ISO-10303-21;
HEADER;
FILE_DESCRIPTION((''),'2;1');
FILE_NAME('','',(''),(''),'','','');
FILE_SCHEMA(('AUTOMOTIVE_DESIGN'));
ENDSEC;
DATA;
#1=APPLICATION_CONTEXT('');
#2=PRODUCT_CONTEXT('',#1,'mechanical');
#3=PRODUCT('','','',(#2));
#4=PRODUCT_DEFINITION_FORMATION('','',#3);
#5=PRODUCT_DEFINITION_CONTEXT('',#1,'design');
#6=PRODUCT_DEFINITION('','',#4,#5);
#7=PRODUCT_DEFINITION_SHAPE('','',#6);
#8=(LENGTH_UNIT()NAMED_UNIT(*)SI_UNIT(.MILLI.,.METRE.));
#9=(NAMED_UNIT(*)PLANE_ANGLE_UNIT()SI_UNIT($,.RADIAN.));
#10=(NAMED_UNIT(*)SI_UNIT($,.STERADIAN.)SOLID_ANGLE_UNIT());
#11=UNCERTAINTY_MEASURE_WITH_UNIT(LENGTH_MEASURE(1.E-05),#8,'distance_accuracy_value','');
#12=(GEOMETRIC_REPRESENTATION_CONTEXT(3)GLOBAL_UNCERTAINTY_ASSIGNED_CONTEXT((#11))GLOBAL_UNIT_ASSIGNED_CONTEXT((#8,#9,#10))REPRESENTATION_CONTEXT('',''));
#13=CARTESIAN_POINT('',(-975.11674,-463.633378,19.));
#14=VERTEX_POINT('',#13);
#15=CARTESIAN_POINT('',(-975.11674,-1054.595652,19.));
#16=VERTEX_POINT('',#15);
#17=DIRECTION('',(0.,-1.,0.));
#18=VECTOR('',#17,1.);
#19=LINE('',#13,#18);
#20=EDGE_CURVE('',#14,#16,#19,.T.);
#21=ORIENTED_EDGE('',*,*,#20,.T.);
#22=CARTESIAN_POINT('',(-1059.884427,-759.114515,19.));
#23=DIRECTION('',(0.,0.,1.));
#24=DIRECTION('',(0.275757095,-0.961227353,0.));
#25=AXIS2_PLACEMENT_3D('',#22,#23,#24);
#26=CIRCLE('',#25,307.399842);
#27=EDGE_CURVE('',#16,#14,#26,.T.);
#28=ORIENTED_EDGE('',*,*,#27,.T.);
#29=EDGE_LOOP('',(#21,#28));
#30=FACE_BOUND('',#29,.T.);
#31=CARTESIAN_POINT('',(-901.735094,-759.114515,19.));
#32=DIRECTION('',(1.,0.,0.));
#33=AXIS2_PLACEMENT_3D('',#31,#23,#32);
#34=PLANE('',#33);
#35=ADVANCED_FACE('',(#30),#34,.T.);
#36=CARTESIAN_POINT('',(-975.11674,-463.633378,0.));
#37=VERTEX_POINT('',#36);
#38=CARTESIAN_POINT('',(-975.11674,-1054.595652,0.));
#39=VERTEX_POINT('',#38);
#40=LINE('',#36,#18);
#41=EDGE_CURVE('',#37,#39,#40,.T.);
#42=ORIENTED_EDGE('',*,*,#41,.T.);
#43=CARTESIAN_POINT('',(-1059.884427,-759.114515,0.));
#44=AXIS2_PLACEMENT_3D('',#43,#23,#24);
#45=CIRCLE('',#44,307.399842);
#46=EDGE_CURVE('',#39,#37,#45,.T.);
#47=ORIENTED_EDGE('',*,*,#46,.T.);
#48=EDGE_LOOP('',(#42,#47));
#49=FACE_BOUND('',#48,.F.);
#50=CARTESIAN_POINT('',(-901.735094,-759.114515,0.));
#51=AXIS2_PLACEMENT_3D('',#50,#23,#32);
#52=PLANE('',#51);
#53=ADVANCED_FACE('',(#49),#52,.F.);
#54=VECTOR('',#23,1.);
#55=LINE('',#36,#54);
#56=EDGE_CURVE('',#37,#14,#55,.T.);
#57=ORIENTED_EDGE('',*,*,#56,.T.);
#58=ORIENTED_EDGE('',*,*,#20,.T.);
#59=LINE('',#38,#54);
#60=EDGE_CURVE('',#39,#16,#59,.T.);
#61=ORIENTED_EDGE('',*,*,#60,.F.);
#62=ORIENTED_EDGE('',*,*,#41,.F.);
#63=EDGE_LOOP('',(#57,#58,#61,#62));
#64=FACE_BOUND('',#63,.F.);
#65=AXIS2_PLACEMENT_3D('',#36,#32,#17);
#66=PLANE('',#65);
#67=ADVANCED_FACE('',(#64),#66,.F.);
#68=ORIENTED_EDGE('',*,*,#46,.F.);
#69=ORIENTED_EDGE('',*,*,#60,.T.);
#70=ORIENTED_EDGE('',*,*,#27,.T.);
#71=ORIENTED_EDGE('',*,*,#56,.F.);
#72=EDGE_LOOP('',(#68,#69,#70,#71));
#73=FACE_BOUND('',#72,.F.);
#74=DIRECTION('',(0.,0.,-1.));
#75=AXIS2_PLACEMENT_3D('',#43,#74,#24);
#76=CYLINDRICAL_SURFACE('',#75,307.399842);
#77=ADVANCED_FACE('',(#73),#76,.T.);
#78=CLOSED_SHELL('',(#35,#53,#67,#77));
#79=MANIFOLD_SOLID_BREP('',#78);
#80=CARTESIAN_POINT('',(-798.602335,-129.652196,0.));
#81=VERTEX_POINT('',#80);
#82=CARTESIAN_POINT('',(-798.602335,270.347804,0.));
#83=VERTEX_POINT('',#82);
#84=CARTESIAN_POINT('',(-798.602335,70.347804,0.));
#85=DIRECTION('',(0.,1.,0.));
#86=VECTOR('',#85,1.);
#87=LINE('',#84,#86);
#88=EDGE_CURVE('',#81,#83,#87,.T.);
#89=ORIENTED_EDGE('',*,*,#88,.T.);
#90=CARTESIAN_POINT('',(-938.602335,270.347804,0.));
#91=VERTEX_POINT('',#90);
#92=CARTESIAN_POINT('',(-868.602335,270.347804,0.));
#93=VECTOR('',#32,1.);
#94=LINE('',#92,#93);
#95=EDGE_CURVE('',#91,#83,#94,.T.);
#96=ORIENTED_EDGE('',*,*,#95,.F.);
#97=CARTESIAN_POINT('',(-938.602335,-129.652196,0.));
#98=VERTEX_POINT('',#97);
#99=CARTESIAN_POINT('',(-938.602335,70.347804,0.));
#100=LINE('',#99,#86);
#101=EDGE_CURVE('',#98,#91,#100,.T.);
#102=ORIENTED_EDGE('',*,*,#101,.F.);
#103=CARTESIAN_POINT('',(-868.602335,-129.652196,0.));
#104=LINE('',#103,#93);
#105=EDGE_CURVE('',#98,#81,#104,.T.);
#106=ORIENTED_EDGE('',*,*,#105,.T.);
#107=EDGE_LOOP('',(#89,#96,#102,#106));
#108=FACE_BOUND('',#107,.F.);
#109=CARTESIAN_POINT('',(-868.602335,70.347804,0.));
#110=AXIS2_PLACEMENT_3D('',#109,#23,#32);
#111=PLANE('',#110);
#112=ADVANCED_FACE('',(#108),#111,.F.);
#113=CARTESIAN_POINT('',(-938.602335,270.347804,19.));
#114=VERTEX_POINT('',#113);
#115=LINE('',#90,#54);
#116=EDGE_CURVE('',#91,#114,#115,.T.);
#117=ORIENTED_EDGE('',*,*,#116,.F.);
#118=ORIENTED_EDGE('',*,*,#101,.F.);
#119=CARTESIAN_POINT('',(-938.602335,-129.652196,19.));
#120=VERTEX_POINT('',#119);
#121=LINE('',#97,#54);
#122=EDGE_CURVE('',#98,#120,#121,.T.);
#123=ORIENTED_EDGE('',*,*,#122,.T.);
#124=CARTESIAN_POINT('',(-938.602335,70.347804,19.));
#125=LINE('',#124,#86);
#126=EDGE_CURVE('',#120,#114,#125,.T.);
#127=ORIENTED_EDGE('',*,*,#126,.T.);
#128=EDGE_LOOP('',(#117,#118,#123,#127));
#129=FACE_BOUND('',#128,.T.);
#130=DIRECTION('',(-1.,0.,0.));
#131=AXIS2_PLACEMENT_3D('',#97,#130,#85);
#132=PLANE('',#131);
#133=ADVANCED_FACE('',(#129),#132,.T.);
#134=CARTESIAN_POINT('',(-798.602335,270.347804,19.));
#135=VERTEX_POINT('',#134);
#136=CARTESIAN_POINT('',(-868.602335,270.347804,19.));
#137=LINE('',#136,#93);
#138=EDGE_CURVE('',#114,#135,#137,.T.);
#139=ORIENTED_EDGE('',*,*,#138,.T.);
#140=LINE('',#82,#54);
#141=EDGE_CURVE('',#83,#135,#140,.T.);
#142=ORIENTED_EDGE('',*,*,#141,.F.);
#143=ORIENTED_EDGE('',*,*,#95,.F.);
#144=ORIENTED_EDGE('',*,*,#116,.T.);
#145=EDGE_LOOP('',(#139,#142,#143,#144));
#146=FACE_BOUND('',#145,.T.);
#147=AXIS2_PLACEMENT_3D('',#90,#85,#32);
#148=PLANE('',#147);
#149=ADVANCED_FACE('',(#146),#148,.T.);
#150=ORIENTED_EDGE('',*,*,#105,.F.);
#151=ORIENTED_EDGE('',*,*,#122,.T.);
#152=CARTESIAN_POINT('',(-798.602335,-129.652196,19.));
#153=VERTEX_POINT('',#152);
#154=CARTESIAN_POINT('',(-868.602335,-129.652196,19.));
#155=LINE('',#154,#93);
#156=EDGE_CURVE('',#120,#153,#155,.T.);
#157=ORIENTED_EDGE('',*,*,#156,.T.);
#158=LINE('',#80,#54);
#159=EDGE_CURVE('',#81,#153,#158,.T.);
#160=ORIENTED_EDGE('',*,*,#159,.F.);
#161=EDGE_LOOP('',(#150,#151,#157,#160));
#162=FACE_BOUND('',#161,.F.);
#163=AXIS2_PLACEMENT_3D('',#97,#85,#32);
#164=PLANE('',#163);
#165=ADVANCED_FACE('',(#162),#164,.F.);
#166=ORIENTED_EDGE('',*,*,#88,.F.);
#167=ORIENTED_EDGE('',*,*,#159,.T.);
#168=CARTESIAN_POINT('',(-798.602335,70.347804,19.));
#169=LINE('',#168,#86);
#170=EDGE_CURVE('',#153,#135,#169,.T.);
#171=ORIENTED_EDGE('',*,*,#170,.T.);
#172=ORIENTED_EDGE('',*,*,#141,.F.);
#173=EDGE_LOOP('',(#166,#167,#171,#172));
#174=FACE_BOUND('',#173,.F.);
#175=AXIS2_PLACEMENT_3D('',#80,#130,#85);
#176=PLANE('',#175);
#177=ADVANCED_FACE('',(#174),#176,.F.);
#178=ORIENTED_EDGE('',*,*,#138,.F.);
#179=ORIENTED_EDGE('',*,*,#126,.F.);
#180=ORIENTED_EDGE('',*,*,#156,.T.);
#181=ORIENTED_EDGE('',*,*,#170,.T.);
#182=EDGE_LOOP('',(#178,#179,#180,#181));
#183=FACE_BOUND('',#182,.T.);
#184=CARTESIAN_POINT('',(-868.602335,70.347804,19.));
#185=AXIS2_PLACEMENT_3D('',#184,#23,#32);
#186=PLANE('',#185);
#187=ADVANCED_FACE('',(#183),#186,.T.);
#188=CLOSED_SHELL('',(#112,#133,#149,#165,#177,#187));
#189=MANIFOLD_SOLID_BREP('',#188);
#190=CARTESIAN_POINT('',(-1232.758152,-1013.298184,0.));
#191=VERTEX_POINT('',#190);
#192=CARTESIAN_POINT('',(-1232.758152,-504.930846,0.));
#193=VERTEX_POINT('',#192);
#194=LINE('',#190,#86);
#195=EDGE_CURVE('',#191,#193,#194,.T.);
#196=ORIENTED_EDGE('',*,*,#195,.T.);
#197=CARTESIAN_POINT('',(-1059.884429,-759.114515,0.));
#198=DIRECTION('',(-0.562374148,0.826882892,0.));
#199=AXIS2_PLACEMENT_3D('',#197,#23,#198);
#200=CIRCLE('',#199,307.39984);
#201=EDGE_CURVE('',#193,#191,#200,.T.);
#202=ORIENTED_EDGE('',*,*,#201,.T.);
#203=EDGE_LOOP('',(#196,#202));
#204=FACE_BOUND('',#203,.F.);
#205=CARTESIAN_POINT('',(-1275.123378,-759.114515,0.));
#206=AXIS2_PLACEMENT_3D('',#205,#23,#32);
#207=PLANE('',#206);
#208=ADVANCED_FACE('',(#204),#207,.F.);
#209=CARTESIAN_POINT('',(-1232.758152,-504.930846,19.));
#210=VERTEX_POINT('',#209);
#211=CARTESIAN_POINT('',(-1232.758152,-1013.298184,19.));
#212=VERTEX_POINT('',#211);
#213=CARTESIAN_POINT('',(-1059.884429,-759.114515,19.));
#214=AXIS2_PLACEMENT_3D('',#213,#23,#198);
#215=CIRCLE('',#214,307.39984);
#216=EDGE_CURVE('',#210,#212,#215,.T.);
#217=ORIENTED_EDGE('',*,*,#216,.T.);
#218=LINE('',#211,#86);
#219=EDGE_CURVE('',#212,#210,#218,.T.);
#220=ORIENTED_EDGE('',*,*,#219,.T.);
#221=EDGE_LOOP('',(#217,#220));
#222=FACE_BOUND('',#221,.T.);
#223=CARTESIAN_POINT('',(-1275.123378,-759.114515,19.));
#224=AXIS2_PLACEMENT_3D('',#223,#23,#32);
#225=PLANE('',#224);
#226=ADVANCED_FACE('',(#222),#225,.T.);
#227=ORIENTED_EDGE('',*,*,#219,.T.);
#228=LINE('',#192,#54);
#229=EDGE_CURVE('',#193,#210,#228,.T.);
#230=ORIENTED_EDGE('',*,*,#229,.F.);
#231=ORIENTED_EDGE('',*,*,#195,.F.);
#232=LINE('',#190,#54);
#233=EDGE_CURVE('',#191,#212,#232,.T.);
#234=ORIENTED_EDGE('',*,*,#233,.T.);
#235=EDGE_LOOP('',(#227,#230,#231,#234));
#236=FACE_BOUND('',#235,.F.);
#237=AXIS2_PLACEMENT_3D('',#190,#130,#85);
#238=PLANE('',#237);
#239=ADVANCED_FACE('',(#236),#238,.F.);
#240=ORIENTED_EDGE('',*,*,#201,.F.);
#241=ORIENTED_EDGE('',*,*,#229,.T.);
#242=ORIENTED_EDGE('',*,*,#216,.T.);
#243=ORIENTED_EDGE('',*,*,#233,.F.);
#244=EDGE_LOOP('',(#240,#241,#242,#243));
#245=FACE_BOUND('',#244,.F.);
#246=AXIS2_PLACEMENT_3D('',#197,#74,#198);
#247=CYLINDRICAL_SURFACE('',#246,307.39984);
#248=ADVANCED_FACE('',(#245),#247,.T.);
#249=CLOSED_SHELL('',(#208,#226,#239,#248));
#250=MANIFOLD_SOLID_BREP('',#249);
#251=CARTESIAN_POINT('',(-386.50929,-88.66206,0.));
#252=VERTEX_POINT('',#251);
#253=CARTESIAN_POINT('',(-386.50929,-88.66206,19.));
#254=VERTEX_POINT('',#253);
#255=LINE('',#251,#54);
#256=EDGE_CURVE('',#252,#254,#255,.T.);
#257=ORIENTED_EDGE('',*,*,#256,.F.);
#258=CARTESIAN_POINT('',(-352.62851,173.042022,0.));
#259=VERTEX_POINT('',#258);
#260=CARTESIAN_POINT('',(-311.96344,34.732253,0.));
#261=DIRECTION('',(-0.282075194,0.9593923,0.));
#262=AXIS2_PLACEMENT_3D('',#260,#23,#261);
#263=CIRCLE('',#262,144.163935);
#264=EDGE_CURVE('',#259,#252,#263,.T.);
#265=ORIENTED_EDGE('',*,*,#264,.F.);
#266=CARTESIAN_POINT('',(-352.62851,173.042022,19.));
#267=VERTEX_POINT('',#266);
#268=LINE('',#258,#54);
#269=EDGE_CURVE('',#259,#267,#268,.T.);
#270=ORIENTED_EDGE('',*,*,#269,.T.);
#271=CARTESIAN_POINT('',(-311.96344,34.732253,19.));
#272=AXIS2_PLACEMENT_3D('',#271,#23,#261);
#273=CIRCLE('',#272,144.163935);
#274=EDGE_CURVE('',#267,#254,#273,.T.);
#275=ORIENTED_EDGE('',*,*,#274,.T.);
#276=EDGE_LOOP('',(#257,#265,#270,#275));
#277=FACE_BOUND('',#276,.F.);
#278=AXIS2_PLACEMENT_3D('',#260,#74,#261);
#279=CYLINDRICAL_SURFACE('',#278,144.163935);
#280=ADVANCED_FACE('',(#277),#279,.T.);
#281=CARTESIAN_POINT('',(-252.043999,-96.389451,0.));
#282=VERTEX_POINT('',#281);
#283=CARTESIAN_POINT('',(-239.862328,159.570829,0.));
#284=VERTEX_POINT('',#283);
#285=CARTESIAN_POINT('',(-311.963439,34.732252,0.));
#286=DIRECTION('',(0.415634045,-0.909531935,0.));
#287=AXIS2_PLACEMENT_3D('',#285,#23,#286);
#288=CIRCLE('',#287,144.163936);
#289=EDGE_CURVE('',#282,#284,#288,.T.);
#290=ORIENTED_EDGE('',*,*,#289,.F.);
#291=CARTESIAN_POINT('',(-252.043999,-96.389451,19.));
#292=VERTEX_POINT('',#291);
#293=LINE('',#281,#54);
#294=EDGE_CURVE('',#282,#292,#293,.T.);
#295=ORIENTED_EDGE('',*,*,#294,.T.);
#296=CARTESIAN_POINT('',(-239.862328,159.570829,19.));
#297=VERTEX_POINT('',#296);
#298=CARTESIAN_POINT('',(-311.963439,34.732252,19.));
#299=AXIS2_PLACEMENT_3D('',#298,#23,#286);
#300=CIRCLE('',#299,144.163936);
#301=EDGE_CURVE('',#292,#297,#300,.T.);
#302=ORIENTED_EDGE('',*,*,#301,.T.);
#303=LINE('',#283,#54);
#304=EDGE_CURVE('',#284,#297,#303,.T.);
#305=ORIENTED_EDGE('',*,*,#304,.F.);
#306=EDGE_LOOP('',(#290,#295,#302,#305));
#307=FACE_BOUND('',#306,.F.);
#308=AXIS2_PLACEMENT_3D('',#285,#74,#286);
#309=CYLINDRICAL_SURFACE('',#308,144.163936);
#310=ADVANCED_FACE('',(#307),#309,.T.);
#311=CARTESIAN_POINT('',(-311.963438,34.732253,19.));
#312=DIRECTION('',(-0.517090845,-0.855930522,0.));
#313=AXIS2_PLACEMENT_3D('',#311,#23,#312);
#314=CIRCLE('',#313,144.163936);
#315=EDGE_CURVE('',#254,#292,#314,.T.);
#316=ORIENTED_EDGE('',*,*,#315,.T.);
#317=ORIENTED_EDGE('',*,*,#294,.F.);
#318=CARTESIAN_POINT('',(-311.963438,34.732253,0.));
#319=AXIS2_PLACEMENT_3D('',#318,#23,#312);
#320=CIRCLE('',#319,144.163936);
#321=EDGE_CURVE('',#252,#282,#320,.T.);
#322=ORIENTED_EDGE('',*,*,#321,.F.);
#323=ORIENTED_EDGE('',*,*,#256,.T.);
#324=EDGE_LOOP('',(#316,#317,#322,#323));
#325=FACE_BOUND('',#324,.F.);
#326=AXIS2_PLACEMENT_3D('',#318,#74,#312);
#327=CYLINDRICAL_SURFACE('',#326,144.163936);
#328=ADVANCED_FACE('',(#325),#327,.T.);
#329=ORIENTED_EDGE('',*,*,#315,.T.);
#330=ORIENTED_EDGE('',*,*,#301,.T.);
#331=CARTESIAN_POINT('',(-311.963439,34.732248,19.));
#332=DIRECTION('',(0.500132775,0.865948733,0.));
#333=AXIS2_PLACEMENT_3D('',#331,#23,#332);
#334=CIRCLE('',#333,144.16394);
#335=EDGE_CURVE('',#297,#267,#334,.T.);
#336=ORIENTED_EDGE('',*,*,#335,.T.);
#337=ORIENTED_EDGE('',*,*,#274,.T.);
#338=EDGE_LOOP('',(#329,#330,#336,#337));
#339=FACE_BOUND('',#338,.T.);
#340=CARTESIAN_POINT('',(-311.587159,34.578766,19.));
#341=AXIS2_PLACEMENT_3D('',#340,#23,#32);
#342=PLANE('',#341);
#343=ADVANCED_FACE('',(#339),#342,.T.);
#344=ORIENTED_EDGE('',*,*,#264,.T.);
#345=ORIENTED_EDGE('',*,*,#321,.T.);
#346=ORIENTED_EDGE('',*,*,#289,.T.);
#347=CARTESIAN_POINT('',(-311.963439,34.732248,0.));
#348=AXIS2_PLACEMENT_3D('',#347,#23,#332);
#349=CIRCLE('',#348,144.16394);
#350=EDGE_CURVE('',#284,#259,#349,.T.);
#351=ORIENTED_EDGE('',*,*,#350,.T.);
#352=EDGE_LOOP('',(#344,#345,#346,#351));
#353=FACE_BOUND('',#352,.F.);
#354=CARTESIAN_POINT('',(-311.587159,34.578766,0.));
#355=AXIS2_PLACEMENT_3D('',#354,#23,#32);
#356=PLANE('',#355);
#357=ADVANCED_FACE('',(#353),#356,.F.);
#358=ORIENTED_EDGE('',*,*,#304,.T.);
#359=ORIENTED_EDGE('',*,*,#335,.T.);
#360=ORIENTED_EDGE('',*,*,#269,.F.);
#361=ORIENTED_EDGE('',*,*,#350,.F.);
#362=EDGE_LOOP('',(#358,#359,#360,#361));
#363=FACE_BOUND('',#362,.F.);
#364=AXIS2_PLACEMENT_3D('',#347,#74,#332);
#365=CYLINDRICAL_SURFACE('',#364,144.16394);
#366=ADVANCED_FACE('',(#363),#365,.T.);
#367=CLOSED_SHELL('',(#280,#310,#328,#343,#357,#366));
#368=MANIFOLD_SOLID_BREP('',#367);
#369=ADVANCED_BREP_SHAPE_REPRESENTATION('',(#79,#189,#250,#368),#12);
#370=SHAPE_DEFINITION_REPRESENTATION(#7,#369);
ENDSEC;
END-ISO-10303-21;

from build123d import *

# Parameters (mm, degrees)
F3_DEPTH = 19
F4_DEPTH = 19
F5_W     = 140
F5_H     = 400
F6_DEPTH = 19


with BuildPart() as f3:
    # F2 (on face) → F3 (new body)
    with BuildSketch(Plane.XY):
        with BuildLine():
            ThreePointArc((-252.043999, -96.389451), (-167.962492, 27.878954), (-239.862328, 159.570829))
            ThreePointArc((-239.862328, 159.570829), (-294.863017, 177.878387), (-352.62851, 173.042022))
            ThreePointArc((-352.62851, 173.042022), (-454.934226, 53.241562), (-386.50929, -88.66206))
            ThreePointArc((-386.50929, -88.66206), (-320.23454, -109.194219), (-252.043999, -96.389451))
        make_face()
    extrude(amount=F3_DEPTH)


with BuildPart() as f4:
    # F1 (on face) → F4 (new body)
    with BuildSketch(Plane.XY):
        with BuildLine():
            Line((-1232.758152, -1013.298184), (-1232.758152, -504.930846))
            ThreePointArc((-1232.758152, -504.930846), (-1367.284269, -759.114515), (-1232.758152, -1013.298184))
        make_face()
        with BuildLine():
            ThreePointArc((-975.11674, -1054.595652), (-752.484585, -759.114515), (-975.11674, -463.633378))
            Line((-975.11674, -463.633378), (-975.11674, -1054.595652))
        make_face()
    extrude(amount=F4_DEPTH)


with BuildPart() as f6:
    # F5 (on Top) → F6 (new body)
    with BuildSketch(Plane.XY):
        with Locations((-868.602335, 70.347804)):
            Rectangle(F5_W, F5_H)
    extrude(amount=F6_DEPTH)


solid = Compound([f3.part, f4.part, f6.part])
